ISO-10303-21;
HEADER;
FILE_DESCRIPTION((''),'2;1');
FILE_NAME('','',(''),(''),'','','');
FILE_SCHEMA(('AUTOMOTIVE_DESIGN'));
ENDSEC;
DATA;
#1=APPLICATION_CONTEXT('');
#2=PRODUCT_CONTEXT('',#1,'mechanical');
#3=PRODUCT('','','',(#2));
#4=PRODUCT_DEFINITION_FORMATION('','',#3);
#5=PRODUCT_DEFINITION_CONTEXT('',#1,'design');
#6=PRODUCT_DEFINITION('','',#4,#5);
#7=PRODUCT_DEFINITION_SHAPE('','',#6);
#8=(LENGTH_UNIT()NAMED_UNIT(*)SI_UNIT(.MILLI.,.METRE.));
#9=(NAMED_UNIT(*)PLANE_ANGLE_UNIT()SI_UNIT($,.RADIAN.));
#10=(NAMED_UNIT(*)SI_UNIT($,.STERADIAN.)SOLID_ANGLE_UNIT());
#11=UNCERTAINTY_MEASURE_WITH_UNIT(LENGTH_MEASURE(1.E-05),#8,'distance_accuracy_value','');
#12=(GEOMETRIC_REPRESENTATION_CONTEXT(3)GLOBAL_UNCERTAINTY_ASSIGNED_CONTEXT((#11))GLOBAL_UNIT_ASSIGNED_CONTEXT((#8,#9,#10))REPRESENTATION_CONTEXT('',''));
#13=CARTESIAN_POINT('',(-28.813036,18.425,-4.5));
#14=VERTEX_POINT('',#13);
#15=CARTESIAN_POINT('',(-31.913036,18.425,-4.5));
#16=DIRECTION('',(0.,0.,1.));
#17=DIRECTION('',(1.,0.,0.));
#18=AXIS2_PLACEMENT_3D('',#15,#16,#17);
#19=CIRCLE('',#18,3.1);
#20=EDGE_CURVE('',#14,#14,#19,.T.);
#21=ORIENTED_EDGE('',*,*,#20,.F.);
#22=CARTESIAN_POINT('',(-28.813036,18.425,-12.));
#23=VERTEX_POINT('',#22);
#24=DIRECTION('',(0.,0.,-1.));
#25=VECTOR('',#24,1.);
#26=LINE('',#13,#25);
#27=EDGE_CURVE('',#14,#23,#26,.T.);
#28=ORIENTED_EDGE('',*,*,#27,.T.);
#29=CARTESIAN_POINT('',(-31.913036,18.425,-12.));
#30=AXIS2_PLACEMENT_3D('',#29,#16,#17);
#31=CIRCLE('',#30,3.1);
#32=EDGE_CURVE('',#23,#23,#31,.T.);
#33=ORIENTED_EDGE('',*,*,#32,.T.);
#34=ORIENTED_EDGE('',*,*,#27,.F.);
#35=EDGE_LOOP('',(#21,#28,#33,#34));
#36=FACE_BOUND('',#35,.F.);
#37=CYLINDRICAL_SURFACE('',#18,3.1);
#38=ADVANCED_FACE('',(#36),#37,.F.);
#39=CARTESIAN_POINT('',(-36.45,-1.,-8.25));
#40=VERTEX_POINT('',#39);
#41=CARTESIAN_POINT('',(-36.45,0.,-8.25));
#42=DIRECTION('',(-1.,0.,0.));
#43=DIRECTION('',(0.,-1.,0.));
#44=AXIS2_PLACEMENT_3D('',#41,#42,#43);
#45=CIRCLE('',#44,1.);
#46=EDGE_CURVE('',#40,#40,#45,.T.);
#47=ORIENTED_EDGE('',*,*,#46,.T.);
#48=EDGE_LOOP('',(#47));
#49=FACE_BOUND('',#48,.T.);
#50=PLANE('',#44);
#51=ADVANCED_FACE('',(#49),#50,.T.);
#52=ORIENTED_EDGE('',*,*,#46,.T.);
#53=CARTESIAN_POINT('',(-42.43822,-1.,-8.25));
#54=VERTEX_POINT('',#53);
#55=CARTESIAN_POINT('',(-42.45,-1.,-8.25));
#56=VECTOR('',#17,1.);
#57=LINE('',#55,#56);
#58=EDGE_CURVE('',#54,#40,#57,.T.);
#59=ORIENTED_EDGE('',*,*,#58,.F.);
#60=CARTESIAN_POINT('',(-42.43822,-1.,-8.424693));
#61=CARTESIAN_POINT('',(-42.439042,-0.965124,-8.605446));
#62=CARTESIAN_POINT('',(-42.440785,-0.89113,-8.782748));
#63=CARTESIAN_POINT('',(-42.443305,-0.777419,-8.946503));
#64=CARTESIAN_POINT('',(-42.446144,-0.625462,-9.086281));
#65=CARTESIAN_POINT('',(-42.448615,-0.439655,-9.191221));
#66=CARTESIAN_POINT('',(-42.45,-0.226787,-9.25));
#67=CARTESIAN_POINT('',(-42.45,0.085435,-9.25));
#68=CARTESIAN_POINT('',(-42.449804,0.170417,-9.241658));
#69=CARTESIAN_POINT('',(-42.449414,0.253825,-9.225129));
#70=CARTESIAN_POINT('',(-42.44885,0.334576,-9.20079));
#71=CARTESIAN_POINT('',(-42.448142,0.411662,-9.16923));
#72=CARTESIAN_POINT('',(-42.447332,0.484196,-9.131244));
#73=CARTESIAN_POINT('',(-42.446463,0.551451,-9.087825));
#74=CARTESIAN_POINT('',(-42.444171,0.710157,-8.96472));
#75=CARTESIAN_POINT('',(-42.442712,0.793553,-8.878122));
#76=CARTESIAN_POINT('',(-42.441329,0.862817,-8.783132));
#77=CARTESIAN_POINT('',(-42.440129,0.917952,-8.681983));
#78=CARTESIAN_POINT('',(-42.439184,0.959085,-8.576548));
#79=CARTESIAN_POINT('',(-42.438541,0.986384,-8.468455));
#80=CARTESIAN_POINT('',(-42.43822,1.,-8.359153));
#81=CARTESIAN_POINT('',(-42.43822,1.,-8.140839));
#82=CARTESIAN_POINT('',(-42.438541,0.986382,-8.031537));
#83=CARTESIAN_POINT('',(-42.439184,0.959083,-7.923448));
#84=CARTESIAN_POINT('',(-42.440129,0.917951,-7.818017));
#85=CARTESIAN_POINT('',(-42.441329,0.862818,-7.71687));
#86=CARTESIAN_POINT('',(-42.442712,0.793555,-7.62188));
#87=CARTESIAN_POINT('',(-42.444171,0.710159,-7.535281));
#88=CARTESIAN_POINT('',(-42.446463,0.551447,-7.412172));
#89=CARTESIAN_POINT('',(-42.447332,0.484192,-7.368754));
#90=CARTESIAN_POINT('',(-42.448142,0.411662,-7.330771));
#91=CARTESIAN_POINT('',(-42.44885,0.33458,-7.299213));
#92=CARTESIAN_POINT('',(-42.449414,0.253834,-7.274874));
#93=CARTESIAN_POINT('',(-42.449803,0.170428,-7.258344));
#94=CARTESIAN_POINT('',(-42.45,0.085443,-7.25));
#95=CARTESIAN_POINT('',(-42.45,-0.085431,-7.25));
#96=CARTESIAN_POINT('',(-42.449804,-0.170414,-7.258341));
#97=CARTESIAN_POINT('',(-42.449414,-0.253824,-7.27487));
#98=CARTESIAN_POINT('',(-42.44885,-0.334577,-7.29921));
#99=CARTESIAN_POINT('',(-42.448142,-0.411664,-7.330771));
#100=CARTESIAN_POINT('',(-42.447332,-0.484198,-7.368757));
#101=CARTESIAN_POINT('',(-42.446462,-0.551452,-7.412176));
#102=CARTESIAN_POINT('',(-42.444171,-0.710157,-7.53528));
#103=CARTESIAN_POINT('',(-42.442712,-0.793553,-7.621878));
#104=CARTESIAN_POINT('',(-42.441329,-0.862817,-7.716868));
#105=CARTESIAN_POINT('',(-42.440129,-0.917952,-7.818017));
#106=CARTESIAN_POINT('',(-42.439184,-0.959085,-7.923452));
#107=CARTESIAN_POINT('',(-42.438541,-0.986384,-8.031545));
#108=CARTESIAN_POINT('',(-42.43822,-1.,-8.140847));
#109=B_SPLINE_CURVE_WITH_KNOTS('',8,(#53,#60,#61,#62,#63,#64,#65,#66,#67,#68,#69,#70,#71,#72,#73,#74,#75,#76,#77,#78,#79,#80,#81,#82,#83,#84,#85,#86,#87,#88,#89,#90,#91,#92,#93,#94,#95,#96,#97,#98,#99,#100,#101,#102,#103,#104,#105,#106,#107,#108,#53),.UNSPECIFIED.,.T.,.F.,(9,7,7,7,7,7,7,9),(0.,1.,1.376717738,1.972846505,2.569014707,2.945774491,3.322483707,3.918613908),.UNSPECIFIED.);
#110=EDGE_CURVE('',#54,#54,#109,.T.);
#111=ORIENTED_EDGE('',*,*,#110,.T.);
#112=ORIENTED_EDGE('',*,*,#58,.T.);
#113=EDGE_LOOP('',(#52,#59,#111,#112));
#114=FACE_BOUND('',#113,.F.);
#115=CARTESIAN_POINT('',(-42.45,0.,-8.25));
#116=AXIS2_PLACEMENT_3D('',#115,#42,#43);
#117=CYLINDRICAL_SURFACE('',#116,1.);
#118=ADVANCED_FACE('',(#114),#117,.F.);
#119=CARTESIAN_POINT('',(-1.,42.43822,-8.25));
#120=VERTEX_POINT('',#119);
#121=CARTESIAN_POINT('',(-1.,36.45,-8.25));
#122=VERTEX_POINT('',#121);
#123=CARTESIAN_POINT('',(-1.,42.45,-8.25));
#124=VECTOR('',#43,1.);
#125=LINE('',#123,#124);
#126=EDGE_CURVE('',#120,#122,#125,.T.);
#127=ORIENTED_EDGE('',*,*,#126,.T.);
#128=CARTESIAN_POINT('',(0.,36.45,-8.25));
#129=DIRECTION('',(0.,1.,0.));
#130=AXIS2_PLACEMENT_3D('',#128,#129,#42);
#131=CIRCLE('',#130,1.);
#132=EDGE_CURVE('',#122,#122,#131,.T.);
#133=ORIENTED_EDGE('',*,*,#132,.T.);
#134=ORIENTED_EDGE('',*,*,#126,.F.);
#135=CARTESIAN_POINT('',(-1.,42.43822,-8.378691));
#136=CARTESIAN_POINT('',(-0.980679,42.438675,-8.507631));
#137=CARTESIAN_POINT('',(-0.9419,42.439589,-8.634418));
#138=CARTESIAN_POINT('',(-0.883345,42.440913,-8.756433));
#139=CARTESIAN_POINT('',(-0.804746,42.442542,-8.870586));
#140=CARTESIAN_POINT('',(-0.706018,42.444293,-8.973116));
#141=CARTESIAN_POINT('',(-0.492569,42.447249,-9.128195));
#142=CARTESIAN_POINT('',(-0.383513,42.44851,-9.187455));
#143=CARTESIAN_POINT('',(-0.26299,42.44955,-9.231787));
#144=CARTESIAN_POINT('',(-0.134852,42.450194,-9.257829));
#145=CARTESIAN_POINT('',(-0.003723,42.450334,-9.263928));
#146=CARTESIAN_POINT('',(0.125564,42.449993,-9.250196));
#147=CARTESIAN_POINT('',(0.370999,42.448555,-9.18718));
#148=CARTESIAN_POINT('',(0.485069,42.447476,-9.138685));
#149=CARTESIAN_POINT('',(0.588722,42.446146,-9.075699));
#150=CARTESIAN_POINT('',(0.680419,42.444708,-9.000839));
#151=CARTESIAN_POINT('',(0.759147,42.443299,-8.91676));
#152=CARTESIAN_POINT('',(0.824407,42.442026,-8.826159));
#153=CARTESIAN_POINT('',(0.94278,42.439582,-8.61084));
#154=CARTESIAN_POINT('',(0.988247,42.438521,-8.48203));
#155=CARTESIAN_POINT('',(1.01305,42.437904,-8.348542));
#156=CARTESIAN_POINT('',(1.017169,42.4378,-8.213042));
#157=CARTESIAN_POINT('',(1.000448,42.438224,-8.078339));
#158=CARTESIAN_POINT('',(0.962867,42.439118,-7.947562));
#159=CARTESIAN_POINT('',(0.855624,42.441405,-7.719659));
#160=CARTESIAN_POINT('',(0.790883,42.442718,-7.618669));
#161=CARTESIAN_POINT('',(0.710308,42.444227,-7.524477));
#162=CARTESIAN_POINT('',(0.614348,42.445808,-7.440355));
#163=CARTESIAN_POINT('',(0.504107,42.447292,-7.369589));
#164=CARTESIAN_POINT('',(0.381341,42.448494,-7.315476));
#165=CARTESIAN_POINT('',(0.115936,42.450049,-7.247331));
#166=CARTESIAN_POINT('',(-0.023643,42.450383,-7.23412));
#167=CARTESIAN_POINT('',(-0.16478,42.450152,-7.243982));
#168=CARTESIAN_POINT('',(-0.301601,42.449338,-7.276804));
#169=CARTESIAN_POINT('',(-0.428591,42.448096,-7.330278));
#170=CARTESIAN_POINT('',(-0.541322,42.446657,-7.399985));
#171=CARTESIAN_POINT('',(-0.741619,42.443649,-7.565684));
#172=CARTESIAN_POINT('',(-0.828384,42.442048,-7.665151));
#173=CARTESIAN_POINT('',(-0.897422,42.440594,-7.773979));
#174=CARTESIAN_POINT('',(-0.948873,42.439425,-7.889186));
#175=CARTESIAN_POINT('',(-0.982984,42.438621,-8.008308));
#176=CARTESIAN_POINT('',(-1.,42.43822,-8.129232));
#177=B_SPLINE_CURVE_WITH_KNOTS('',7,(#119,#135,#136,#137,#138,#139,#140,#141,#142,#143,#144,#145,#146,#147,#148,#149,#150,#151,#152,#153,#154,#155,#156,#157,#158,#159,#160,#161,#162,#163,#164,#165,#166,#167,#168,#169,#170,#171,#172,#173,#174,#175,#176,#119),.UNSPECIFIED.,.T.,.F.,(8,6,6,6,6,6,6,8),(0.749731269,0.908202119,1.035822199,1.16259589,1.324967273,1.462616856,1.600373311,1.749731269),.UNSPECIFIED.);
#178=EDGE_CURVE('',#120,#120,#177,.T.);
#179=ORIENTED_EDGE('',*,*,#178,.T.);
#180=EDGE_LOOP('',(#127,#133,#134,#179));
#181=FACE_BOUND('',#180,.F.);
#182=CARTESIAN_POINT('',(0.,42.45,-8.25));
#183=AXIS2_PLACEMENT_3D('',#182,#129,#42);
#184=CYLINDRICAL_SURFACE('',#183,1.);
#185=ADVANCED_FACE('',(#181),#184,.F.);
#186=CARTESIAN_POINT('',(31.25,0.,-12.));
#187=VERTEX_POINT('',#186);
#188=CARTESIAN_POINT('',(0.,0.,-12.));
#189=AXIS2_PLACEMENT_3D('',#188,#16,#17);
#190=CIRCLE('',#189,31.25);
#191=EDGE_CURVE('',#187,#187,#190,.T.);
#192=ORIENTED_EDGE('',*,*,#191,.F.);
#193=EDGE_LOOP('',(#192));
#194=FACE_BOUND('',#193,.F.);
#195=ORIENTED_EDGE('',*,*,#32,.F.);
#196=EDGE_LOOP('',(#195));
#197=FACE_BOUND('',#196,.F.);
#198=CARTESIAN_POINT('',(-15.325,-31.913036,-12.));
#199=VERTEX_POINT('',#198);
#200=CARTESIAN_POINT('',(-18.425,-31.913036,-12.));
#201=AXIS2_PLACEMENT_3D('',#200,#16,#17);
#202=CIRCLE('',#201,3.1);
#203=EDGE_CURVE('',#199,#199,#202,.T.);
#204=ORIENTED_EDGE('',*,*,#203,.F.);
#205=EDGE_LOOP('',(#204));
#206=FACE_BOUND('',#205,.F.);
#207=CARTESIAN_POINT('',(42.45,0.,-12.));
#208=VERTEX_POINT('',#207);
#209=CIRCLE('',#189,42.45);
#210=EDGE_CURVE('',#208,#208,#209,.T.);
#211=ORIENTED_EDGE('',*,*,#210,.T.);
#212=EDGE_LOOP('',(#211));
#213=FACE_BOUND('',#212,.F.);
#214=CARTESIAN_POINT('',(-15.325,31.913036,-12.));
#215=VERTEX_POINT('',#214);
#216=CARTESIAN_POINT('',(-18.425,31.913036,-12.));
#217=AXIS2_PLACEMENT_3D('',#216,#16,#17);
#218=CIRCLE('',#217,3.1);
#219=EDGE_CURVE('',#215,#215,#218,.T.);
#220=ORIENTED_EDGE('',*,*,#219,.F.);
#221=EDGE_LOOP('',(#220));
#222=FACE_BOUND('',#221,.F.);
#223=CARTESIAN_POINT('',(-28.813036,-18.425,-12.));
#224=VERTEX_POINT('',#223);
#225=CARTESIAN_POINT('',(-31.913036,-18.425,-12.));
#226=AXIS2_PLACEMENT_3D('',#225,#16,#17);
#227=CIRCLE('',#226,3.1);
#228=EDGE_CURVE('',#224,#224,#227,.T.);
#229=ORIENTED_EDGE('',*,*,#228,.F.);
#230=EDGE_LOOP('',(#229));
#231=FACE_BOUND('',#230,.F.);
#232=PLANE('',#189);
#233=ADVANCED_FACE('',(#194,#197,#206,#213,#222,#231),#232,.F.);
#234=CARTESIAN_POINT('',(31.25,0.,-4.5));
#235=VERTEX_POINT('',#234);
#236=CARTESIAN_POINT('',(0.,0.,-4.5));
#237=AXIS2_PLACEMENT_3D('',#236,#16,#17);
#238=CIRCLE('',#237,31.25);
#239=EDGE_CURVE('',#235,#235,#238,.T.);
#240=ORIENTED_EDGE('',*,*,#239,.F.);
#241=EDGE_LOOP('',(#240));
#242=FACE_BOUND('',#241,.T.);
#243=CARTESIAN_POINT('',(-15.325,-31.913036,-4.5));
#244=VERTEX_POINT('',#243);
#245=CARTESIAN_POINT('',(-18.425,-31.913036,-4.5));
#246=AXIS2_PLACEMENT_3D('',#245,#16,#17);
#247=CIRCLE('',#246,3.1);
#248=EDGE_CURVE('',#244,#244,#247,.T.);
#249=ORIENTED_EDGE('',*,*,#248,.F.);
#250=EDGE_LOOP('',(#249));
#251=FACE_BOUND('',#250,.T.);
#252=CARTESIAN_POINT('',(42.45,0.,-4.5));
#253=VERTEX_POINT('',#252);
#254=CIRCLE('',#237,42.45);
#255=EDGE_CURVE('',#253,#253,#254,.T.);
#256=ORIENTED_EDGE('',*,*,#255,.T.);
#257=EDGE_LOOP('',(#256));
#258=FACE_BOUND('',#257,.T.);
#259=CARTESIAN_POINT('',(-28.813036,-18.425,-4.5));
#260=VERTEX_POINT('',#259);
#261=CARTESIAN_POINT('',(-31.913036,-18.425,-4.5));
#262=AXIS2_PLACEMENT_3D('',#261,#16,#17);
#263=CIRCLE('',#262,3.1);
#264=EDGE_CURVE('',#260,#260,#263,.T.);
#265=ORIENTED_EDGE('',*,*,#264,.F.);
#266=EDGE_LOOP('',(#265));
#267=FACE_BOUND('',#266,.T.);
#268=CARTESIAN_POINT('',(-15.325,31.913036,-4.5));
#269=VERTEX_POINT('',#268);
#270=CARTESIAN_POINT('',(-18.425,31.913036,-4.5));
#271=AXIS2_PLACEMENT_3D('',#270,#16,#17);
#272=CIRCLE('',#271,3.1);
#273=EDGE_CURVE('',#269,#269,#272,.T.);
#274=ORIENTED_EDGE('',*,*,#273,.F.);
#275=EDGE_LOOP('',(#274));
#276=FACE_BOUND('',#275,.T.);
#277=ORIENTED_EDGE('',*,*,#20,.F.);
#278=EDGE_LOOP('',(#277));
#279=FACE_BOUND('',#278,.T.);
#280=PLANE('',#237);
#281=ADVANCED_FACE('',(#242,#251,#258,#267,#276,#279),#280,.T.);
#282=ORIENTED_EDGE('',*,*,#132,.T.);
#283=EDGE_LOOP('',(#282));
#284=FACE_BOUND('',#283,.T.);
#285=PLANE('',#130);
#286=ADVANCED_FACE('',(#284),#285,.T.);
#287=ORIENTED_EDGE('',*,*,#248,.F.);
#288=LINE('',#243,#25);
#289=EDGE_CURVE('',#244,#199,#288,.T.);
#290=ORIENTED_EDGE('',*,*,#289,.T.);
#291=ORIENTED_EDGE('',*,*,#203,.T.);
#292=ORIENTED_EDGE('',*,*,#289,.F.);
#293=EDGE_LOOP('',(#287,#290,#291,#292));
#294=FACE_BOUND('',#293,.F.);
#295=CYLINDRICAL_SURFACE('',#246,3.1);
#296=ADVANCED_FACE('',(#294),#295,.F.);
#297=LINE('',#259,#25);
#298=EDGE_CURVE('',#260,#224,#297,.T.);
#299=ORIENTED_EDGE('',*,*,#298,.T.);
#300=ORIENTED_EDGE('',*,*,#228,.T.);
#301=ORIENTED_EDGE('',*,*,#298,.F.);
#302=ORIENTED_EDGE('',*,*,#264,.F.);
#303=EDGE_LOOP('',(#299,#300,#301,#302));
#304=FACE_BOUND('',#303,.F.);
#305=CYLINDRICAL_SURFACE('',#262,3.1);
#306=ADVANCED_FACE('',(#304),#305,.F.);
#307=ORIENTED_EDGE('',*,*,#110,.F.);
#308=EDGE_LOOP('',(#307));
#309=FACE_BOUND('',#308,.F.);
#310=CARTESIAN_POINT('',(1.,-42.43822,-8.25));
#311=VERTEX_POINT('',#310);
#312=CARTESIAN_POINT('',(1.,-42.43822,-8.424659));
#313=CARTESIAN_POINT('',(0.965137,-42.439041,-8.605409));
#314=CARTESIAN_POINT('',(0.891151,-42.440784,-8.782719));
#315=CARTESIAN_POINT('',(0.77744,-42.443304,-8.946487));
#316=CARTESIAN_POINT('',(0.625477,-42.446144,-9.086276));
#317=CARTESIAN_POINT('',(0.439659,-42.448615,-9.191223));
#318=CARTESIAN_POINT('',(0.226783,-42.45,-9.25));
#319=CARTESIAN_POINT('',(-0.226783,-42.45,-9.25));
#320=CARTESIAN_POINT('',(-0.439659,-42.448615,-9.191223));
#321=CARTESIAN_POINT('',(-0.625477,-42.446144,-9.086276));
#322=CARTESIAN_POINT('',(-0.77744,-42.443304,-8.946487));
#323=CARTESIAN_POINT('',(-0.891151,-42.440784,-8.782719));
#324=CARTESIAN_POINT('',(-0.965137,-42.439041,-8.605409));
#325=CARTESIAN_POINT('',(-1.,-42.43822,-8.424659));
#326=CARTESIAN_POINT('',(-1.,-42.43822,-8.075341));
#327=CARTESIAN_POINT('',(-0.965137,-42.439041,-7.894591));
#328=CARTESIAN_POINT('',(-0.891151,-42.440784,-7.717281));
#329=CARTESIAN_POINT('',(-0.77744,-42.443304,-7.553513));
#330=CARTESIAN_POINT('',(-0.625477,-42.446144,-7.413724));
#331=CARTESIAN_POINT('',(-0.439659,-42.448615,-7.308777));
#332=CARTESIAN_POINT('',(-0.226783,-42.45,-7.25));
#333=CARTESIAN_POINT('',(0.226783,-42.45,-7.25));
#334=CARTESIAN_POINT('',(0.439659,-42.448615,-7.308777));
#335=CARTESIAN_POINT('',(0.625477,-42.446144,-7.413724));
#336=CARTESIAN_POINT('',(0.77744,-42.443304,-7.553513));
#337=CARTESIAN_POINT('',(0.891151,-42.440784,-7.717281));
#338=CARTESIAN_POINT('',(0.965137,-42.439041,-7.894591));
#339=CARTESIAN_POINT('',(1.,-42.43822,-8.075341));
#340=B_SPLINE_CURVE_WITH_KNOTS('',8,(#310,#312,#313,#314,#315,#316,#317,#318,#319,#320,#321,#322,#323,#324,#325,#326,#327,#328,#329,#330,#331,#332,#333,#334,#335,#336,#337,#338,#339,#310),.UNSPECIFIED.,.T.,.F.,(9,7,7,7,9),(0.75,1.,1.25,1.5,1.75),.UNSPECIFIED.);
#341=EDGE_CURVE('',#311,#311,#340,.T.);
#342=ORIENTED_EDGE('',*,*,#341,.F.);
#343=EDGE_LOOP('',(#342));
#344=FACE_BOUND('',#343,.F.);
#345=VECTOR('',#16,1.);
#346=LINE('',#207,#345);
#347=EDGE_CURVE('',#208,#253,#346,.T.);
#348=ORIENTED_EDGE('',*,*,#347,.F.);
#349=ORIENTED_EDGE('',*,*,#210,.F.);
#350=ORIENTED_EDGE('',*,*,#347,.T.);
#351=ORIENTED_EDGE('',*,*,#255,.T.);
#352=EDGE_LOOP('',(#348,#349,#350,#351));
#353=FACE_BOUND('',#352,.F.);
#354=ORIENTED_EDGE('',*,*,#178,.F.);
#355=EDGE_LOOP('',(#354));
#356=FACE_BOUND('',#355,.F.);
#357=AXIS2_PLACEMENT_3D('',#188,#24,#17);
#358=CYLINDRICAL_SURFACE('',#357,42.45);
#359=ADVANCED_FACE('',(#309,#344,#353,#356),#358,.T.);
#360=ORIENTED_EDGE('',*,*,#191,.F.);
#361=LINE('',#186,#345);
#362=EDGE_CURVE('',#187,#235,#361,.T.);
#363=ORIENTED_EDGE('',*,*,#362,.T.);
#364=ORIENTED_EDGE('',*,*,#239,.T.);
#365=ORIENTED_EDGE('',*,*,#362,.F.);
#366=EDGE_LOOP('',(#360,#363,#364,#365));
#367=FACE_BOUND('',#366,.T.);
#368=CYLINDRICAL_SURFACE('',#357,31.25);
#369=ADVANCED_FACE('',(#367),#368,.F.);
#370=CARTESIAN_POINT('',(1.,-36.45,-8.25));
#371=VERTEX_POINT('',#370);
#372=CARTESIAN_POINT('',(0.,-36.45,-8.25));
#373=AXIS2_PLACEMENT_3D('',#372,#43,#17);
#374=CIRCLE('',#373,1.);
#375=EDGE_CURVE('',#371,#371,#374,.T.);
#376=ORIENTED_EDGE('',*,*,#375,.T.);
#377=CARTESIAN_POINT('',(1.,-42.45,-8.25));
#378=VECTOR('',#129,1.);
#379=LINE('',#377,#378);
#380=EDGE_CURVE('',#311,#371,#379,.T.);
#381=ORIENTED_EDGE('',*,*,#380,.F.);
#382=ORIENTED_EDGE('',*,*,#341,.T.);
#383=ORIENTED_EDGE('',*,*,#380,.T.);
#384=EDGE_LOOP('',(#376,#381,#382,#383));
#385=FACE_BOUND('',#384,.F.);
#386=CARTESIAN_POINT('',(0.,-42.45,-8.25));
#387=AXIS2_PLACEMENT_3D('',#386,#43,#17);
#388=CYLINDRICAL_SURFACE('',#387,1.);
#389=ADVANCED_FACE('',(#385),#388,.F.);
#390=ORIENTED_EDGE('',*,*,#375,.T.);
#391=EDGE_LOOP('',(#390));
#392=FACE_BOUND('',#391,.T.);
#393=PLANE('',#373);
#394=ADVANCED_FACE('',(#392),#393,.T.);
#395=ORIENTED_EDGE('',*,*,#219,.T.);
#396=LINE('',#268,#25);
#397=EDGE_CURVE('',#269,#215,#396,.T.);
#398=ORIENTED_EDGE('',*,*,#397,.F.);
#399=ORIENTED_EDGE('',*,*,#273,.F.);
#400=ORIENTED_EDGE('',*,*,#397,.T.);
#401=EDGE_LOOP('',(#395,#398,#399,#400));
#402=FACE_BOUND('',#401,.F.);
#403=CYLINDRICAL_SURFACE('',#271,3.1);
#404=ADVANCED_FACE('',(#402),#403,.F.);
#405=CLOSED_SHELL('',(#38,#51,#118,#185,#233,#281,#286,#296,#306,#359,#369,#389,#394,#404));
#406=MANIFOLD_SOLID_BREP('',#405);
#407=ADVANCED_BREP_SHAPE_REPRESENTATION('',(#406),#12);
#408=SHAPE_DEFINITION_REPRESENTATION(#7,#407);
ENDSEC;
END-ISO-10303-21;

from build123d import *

# Parameters (mm, degrees)
SKETCH_R              = 42.45
SKETCH_R_2            = 31.25
PAD_DEPTH             = 7.5
SKETCH011_R           = 3.1
POCKET003_DEPTH       = 7.501
SKETCH024_R           = 1
POCKET012_DEPTH       = 6
POLARPATTERN001_COUNT = 3
POLARPATTERN001_ANGLE = 180


with BuildPart() as part:
    # Sketch → Pad (new body)
    with BuildSketch(Plane.XY):
        Circle(SKETCH_R)
        Circle(SKETCH_R_2, mode=Mode.SUBTRACT)
    extrude(amount=PAD_DEPTH)

    # Sketch011 (on DatumPlane) → Pocket003 (cut, through all)
    with BuildSketch(Plane.XY.offset(7.5)):
        with Locations((-31.913036, 18.425)):
            Circle(SKETCH011_R)
        with Locations((-31.913036, -18.425)):
            Circle(SKETCH011_R)
        with Locations((-18.425, 31.913036)):
            Circle(SKETCH011_R)
        with Locations((-18.425, -31.913036)):
            Circle(SKETCH011_R)
    extrude(amount=-POCKET003_DEPTH, mode=Mode.SUBTRACT)

    # Sketch024 (on DatumPlane) → Pocket012 (cut)
    with BuildSketch(Plane.XZ.offset(42.45)):
        with Locations((0, 3.75)):
            Circle(SKETCH024_R)
    pocket012 = extrude(amount=-POCKET012_DEPTH, mode=Mode.SUBTRACT)

    # PolarPattern001: Pocket012 ×3 about axis
    polarpattern001_axis = Axis((0, 0, 0), (0, 0, -1))
    for i in range(1, POLARPATTERN001_COUNT):
        add(pocket012.rotate(polarpattern001_axis, i * POLARPATTERN001_ANGLE / (POLARPATTERN001_COUNT - 1)), mode=Mode.SUBTRACT)


with BuildPart() as part_1:
    # Body placement: moved
    add(part.part.moved(Location((0, 0, -12))))


solid = part_1.part
